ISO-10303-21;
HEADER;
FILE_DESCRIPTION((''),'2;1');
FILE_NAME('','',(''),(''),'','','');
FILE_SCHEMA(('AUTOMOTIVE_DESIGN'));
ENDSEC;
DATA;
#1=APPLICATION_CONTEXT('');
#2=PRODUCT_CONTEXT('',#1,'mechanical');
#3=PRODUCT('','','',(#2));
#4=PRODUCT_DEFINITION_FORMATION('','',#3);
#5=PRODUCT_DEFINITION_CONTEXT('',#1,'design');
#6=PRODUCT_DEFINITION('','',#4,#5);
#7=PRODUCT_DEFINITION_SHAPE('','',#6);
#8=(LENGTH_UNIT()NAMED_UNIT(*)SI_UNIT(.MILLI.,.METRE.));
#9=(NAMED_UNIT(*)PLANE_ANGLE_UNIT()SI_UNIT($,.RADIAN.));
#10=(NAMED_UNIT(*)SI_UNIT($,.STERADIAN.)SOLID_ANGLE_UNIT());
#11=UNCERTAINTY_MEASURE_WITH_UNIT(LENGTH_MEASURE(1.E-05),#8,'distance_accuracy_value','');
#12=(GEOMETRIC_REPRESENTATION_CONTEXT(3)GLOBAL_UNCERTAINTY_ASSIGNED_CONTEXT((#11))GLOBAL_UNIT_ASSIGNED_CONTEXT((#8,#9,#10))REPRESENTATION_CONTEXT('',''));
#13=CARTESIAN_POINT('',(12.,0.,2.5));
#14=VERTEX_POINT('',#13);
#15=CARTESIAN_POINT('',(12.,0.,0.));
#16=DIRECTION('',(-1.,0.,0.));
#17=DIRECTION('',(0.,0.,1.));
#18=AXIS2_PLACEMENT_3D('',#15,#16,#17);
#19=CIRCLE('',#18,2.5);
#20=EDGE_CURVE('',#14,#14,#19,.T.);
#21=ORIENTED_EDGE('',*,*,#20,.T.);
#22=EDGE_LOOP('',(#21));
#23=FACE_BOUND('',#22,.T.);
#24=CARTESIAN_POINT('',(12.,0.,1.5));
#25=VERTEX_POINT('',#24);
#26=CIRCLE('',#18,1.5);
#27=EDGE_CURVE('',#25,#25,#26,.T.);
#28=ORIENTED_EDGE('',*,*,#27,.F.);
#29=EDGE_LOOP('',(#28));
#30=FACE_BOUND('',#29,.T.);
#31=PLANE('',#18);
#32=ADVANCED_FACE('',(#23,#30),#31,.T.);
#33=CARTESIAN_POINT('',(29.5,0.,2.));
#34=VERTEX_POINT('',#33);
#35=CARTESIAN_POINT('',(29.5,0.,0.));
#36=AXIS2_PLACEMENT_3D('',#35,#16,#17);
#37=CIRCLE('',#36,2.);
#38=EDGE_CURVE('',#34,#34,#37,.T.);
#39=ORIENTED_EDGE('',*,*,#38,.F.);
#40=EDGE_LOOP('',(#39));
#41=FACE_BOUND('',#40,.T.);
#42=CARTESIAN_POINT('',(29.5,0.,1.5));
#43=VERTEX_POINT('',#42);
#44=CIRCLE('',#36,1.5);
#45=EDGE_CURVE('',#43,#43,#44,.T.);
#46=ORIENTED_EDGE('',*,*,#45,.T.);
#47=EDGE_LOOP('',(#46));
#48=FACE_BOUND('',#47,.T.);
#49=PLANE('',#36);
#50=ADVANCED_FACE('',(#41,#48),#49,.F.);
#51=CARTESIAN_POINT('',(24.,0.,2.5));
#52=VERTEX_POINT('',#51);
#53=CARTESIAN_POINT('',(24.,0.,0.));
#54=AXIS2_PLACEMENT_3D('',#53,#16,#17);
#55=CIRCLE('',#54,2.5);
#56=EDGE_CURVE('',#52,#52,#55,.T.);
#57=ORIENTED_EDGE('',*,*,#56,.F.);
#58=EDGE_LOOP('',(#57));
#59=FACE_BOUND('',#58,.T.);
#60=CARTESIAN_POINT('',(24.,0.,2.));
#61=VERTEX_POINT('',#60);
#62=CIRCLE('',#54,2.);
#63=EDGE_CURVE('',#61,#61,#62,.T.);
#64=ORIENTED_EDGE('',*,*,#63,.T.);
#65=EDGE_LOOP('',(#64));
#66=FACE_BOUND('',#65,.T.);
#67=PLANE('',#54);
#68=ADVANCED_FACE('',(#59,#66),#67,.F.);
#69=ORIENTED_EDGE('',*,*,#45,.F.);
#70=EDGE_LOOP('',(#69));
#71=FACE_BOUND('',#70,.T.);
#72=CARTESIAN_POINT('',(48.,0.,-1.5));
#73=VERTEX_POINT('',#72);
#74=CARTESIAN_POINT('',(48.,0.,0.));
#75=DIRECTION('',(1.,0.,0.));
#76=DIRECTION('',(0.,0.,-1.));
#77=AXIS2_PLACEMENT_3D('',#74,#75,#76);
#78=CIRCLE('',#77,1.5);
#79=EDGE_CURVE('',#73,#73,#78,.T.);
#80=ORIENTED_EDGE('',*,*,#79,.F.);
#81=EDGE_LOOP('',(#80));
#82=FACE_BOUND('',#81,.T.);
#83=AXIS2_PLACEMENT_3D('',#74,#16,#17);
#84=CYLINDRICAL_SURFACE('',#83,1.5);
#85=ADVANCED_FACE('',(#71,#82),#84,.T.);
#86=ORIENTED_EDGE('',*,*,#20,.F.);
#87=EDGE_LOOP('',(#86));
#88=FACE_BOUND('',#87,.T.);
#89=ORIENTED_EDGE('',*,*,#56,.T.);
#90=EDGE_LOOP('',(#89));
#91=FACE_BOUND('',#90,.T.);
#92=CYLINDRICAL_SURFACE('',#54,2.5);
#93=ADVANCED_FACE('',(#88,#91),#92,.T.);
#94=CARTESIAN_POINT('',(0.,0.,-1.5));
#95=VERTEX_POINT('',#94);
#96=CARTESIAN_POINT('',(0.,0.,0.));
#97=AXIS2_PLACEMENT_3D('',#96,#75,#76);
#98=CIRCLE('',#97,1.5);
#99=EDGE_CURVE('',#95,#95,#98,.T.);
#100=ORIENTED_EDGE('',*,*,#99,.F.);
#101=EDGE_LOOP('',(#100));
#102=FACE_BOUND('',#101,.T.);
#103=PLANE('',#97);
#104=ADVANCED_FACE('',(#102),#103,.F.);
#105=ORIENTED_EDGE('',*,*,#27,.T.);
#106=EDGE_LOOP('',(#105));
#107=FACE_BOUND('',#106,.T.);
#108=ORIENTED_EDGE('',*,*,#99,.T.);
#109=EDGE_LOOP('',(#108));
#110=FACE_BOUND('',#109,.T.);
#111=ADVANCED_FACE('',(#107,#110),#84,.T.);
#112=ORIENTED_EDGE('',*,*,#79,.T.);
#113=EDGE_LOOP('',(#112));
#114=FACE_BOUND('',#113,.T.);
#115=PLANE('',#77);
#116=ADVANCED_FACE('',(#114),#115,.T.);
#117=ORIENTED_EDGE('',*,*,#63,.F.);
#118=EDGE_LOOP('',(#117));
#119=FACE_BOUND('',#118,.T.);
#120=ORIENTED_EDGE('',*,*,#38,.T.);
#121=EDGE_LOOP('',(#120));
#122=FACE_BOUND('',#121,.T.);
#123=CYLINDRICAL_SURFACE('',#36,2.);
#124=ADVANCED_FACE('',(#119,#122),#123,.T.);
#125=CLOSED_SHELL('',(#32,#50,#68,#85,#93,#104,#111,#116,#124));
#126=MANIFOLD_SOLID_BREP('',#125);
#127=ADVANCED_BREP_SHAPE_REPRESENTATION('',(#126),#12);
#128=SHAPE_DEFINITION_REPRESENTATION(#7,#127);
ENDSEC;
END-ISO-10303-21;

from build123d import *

# Parameters (mm, degrees)
SKETCH_1_R      = 1.5
EXTRUDE_1_DEPTH = 48
EXTRUDE_START   = -12
SKETCH_2_R      = 2.5
SKETCH_2_R_2    = 1.5
EXTRUDE_2_DEPTH = 12
EXTRUDE_START_2 = 24
SKETCH_3_R      = 2
SKETCH_3_R_2    = 1.5
EXTRUDE_3_DEPTH = 5.5


with BuildPart() as part:
    # 草图1 → 凸台-拉伸1 (new body)
    with BuildSketch(Plane(origin=(0, 0, 0), x_dir=(0, 0, -1), z_dir=(1, 0, 0))):
        Circle(SKETCH_1_R)
    extrude(amount=EXTRUDE_1_DEPTH)

    # 草图2 → 凸台-拉伸2 (add)
    with BuildSketch(Plane.ZY.offset(EXTRUDE_START)):
        Circle(SKETCH_2_R)
        Circle(SKETCH_2_R_2, mode=Mode.SUBTRACT)
    extrude(amount=-EXTRUDE_2_DEPTH)

    # 草图3 → 凸台-拉伸3 (add)
    with BuildSketch(Plane(origin=(0, 0, 0), x_dir=(0, 0, -1), z_dir=(1, 0, 0)).offset(EXTRUDE_START_2)):
        with Locations(Location((0, 0, 0), (0, 0, 180))):
            Circle(SKETCH_3_R)
        with Locations(Location((0, 0, 0), (0, 0, 180))):
            Circle(SKETCH_3_R_2, mode=Mode.SUBTRACT)
    extrude(amount=EXTRUDE_3_DEPTH)


solid = part.part
